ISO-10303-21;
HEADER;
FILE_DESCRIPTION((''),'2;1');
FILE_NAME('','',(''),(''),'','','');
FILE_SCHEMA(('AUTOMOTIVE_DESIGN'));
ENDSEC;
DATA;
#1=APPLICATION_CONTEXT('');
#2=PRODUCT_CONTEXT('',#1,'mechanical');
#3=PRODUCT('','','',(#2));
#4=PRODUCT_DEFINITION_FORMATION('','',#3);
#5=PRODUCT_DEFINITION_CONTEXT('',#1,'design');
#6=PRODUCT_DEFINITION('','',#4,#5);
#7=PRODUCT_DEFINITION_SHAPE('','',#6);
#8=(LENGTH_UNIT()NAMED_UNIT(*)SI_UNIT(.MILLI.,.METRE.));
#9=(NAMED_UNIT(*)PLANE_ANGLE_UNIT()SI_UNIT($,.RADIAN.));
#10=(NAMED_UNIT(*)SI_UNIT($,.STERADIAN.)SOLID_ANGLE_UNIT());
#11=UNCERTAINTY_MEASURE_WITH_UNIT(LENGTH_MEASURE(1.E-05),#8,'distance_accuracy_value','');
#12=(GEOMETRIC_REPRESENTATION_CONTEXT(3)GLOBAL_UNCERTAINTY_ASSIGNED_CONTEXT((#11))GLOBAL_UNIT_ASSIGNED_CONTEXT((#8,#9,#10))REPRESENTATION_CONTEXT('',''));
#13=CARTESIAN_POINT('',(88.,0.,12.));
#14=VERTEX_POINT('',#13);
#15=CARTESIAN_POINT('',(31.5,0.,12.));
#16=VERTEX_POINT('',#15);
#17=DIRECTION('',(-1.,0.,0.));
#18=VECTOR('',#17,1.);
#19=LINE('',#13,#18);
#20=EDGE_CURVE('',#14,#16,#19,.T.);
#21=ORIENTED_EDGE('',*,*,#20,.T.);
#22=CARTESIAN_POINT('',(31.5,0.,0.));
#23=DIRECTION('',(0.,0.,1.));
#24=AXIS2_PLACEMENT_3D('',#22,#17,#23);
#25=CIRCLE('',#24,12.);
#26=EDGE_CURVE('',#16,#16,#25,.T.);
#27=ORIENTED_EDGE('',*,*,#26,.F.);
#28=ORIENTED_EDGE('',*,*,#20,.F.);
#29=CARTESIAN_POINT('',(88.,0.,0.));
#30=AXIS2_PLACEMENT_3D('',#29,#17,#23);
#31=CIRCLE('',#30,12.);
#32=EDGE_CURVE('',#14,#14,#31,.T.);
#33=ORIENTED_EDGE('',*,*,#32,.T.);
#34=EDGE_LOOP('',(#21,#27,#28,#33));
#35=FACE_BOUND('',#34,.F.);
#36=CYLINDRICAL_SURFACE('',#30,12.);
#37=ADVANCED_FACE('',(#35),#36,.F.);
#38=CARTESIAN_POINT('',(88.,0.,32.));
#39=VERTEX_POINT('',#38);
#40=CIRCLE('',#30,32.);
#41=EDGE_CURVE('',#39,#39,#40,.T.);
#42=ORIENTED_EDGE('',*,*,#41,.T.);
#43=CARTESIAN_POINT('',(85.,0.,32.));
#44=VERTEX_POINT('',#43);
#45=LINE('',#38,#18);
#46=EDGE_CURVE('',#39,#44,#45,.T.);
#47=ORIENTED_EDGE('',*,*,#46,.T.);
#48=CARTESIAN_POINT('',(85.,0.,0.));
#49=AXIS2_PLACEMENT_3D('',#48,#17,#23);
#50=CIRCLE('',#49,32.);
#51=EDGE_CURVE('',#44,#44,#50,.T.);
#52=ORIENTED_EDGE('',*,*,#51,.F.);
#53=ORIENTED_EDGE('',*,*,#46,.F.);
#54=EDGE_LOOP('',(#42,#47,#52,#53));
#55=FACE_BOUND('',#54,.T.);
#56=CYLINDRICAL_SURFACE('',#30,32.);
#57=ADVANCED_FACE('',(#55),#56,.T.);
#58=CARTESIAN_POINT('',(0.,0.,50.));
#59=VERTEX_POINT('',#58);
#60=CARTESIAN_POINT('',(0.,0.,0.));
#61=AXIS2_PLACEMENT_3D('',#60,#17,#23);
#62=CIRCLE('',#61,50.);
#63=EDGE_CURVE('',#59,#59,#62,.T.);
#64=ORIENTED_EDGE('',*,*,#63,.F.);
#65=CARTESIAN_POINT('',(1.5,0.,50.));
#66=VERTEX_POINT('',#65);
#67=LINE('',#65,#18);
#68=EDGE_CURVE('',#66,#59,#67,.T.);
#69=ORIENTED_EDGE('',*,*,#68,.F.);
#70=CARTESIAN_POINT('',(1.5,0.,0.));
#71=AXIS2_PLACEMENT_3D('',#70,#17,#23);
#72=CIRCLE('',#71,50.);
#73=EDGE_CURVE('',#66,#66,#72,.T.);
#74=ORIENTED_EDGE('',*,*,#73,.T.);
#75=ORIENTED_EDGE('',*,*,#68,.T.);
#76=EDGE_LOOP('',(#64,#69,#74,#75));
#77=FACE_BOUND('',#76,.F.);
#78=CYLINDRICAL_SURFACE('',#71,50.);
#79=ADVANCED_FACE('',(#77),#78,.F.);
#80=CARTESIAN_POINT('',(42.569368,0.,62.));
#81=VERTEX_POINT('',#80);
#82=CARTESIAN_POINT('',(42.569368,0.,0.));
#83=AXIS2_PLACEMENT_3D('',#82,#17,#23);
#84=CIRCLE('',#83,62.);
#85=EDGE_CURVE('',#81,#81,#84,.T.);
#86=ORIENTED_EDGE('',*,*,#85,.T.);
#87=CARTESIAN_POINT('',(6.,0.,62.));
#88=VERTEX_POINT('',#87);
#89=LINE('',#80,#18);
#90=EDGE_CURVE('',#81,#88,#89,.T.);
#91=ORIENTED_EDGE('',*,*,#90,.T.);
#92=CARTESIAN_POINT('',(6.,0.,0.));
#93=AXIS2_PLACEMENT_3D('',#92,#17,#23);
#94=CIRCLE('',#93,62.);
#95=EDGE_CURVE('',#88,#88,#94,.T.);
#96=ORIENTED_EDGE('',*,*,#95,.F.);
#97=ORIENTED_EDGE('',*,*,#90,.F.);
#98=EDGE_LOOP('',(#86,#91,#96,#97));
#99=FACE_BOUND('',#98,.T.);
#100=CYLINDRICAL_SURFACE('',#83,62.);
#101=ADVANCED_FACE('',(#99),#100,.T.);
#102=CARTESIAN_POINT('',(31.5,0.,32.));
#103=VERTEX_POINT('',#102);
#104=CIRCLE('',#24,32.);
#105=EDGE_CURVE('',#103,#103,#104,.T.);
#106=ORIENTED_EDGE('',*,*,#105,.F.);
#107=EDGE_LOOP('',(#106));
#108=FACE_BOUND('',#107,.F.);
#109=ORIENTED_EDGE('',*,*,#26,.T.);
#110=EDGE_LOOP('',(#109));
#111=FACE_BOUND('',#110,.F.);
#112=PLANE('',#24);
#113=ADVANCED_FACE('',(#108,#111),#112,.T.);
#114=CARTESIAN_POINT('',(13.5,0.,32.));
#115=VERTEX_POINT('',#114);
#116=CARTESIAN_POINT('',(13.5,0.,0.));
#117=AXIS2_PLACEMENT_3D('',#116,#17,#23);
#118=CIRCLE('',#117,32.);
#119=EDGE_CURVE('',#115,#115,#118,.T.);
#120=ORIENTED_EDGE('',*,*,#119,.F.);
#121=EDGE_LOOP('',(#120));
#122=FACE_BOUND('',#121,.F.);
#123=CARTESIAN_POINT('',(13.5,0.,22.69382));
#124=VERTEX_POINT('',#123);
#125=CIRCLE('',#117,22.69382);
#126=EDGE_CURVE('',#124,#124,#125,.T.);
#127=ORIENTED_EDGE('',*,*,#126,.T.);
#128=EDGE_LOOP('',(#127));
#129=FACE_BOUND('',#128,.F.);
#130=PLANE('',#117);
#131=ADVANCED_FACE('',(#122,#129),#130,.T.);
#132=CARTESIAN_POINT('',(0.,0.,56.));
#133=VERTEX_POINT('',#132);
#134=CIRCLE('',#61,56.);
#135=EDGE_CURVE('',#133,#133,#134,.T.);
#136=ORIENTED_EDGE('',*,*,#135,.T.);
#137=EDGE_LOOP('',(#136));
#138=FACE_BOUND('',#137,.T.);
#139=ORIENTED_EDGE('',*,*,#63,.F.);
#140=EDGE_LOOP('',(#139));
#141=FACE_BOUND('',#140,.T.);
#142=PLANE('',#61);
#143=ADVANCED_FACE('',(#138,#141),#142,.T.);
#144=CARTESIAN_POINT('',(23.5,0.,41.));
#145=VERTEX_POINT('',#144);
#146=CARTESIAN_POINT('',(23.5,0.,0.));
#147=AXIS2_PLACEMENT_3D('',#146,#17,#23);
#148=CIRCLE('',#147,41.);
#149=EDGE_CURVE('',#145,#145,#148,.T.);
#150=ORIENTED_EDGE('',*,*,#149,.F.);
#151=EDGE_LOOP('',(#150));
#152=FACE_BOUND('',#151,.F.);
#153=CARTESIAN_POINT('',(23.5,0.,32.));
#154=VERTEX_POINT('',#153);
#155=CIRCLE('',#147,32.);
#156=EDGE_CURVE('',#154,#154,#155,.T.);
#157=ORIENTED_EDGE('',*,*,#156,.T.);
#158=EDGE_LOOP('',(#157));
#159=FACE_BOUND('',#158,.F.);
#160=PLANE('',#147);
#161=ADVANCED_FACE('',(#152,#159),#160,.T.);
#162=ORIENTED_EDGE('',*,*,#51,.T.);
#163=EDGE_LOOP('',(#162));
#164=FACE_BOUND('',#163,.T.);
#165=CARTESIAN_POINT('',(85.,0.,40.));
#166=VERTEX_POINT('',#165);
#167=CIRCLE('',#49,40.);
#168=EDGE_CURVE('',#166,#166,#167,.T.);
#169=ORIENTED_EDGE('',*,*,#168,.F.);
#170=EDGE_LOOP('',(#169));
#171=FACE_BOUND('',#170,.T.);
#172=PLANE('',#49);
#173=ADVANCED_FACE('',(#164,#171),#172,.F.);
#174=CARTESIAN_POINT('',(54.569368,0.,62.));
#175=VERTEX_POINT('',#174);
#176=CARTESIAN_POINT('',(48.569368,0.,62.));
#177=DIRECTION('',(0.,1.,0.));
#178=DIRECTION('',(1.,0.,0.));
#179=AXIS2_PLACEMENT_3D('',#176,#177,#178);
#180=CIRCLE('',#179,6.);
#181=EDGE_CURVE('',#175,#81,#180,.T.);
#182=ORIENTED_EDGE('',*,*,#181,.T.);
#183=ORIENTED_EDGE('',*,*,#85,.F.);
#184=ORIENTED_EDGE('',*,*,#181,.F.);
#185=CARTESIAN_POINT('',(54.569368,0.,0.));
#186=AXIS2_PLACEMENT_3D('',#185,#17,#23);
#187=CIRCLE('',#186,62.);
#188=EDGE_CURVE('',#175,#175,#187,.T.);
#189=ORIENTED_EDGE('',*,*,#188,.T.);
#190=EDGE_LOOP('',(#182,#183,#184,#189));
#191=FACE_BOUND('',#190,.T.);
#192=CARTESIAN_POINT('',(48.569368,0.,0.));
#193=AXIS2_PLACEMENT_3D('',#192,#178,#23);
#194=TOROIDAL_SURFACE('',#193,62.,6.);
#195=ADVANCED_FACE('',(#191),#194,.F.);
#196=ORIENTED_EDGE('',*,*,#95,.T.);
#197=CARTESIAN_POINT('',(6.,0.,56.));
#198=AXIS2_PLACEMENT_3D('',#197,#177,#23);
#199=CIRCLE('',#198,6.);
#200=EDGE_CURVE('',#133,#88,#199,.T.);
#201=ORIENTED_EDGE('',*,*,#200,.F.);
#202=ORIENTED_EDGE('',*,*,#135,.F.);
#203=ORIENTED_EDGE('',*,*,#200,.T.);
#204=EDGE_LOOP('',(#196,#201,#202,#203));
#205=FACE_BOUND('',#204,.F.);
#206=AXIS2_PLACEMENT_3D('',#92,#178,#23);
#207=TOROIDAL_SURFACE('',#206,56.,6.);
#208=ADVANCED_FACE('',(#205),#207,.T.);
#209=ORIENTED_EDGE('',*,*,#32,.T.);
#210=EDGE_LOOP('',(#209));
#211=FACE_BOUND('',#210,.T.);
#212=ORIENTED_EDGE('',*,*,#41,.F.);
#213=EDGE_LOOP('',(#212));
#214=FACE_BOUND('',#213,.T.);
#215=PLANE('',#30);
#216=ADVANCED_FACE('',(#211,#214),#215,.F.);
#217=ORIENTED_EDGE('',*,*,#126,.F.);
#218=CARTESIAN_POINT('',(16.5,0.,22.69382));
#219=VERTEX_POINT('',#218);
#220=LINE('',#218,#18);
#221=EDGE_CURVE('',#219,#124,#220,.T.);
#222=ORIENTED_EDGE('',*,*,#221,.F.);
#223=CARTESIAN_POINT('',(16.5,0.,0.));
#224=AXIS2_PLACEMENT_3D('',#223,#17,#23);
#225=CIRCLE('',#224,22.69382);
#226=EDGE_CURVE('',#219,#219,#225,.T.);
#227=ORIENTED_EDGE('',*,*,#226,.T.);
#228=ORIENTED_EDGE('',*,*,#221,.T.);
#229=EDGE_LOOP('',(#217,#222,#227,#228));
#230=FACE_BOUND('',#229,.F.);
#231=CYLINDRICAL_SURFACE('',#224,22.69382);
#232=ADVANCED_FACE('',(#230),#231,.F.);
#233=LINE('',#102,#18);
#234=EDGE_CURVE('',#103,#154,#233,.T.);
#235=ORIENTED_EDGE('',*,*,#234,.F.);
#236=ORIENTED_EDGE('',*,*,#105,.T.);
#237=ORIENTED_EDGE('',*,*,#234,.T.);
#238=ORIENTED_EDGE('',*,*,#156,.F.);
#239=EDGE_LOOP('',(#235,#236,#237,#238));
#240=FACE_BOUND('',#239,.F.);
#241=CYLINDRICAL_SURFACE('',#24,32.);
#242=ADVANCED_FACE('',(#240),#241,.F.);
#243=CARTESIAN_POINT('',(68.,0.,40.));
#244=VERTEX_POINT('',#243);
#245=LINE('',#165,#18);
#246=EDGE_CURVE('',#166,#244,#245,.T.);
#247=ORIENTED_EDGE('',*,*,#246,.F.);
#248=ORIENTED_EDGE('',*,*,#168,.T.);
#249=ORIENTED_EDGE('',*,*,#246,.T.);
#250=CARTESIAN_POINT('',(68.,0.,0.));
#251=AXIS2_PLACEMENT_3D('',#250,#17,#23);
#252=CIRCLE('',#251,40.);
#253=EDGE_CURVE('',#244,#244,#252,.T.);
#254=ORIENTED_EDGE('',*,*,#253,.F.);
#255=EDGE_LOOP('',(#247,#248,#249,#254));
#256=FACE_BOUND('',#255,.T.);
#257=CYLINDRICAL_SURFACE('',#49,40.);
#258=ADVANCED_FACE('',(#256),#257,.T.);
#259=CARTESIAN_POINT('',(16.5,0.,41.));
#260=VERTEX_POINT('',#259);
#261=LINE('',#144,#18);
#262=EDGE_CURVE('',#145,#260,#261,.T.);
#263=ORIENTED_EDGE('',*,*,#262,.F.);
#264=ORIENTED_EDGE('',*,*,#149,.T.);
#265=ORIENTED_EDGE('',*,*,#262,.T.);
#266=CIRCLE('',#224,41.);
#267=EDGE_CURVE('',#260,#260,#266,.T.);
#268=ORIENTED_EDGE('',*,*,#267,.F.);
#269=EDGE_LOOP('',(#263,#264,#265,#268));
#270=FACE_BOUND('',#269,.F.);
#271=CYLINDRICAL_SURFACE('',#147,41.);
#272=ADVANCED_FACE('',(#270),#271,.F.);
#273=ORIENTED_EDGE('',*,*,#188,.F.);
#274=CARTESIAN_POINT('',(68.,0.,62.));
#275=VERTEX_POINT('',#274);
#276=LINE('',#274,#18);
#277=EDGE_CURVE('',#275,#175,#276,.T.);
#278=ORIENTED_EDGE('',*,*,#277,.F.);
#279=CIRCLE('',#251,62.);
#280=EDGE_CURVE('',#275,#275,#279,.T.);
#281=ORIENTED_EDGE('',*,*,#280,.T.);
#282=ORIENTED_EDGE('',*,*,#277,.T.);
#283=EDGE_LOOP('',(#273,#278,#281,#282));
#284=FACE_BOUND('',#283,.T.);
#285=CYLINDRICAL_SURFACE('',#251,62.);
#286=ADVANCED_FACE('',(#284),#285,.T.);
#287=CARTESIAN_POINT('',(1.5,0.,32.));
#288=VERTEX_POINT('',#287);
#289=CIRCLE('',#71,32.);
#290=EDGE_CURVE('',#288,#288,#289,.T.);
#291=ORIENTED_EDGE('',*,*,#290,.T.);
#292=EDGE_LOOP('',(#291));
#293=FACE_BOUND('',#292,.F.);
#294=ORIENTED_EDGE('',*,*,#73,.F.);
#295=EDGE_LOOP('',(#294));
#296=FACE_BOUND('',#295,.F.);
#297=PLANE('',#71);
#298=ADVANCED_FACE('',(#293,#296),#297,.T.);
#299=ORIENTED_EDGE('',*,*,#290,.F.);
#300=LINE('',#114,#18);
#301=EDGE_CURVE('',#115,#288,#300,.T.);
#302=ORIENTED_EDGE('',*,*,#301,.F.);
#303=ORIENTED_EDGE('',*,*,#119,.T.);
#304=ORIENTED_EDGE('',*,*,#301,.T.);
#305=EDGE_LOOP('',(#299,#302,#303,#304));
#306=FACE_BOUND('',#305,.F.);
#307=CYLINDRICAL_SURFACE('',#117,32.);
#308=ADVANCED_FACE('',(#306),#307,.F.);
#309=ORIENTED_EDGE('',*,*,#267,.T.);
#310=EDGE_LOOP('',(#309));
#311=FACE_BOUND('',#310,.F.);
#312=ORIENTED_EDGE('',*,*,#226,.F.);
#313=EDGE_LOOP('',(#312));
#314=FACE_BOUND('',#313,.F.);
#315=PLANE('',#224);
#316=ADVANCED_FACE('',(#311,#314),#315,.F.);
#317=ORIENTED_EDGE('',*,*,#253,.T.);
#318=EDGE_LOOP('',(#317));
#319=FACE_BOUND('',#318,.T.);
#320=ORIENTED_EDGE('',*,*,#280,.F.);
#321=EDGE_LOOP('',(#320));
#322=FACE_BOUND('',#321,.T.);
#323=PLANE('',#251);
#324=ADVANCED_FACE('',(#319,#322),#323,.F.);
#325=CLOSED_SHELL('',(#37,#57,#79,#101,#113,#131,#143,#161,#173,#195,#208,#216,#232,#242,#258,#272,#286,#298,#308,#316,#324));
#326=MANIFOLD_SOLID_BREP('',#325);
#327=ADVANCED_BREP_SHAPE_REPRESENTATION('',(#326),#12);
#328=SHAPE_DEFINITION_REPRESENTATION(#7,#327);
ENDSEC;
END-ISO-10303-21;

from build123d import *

# Parameters (mm, degrees)
F4_R = 6


with BuildPart() as f1:
    # F0 (on Front) → F1 (revolve)
    with BuildSketch(Plane.XZ):
        with BuildLine():
            Line((0, 62), (0, 0))
            Line((0, 0), (88, 0))
            Line((88, 0), (88, 32))
            Line((88, 32), (85, 32))
            Line((85, 32), (85, 40))
            Line((85, 40), (68, 40))
            Line((68, 40), (68, 62))
            Line((68, 62), (54.569368, 62))
            ThreePointArc((54.569368, 62), (48.569368, 56), (42.569368, 62))
            Line((42.569368, 62), (0, 62))
        make_face()
    revolve(axis=Axis((-15.071996, 0, 0), (-1, 0, 0)))

    # F2 (on Front) → F3 (revolve, cut)
    with BuildSketch(Plane.XZ):
        Polygon((0, 50), (0, 0), (88, 0), (88, 12), (31.5, 12), (31.5, 32), (23.5, 32), (23.5, 41), (16.5, 41), (16.5, 22.69382), (13.5, 22.69382), (13.5, 32), (1.5, 32), (1.5, 50), align=None)
    revolve(axis=Axis((-15.359187, 0, 0), (-1, 0, 0)), mode=Mode.SUBTRACT)

    # F4
    f4_edges = [f1.edges().sort_by_distance(p)[0] for p in [
        (0, 0, -62),
    ]]
    fillet(f4_edges, radius=F4_R)


solid = f1.part
